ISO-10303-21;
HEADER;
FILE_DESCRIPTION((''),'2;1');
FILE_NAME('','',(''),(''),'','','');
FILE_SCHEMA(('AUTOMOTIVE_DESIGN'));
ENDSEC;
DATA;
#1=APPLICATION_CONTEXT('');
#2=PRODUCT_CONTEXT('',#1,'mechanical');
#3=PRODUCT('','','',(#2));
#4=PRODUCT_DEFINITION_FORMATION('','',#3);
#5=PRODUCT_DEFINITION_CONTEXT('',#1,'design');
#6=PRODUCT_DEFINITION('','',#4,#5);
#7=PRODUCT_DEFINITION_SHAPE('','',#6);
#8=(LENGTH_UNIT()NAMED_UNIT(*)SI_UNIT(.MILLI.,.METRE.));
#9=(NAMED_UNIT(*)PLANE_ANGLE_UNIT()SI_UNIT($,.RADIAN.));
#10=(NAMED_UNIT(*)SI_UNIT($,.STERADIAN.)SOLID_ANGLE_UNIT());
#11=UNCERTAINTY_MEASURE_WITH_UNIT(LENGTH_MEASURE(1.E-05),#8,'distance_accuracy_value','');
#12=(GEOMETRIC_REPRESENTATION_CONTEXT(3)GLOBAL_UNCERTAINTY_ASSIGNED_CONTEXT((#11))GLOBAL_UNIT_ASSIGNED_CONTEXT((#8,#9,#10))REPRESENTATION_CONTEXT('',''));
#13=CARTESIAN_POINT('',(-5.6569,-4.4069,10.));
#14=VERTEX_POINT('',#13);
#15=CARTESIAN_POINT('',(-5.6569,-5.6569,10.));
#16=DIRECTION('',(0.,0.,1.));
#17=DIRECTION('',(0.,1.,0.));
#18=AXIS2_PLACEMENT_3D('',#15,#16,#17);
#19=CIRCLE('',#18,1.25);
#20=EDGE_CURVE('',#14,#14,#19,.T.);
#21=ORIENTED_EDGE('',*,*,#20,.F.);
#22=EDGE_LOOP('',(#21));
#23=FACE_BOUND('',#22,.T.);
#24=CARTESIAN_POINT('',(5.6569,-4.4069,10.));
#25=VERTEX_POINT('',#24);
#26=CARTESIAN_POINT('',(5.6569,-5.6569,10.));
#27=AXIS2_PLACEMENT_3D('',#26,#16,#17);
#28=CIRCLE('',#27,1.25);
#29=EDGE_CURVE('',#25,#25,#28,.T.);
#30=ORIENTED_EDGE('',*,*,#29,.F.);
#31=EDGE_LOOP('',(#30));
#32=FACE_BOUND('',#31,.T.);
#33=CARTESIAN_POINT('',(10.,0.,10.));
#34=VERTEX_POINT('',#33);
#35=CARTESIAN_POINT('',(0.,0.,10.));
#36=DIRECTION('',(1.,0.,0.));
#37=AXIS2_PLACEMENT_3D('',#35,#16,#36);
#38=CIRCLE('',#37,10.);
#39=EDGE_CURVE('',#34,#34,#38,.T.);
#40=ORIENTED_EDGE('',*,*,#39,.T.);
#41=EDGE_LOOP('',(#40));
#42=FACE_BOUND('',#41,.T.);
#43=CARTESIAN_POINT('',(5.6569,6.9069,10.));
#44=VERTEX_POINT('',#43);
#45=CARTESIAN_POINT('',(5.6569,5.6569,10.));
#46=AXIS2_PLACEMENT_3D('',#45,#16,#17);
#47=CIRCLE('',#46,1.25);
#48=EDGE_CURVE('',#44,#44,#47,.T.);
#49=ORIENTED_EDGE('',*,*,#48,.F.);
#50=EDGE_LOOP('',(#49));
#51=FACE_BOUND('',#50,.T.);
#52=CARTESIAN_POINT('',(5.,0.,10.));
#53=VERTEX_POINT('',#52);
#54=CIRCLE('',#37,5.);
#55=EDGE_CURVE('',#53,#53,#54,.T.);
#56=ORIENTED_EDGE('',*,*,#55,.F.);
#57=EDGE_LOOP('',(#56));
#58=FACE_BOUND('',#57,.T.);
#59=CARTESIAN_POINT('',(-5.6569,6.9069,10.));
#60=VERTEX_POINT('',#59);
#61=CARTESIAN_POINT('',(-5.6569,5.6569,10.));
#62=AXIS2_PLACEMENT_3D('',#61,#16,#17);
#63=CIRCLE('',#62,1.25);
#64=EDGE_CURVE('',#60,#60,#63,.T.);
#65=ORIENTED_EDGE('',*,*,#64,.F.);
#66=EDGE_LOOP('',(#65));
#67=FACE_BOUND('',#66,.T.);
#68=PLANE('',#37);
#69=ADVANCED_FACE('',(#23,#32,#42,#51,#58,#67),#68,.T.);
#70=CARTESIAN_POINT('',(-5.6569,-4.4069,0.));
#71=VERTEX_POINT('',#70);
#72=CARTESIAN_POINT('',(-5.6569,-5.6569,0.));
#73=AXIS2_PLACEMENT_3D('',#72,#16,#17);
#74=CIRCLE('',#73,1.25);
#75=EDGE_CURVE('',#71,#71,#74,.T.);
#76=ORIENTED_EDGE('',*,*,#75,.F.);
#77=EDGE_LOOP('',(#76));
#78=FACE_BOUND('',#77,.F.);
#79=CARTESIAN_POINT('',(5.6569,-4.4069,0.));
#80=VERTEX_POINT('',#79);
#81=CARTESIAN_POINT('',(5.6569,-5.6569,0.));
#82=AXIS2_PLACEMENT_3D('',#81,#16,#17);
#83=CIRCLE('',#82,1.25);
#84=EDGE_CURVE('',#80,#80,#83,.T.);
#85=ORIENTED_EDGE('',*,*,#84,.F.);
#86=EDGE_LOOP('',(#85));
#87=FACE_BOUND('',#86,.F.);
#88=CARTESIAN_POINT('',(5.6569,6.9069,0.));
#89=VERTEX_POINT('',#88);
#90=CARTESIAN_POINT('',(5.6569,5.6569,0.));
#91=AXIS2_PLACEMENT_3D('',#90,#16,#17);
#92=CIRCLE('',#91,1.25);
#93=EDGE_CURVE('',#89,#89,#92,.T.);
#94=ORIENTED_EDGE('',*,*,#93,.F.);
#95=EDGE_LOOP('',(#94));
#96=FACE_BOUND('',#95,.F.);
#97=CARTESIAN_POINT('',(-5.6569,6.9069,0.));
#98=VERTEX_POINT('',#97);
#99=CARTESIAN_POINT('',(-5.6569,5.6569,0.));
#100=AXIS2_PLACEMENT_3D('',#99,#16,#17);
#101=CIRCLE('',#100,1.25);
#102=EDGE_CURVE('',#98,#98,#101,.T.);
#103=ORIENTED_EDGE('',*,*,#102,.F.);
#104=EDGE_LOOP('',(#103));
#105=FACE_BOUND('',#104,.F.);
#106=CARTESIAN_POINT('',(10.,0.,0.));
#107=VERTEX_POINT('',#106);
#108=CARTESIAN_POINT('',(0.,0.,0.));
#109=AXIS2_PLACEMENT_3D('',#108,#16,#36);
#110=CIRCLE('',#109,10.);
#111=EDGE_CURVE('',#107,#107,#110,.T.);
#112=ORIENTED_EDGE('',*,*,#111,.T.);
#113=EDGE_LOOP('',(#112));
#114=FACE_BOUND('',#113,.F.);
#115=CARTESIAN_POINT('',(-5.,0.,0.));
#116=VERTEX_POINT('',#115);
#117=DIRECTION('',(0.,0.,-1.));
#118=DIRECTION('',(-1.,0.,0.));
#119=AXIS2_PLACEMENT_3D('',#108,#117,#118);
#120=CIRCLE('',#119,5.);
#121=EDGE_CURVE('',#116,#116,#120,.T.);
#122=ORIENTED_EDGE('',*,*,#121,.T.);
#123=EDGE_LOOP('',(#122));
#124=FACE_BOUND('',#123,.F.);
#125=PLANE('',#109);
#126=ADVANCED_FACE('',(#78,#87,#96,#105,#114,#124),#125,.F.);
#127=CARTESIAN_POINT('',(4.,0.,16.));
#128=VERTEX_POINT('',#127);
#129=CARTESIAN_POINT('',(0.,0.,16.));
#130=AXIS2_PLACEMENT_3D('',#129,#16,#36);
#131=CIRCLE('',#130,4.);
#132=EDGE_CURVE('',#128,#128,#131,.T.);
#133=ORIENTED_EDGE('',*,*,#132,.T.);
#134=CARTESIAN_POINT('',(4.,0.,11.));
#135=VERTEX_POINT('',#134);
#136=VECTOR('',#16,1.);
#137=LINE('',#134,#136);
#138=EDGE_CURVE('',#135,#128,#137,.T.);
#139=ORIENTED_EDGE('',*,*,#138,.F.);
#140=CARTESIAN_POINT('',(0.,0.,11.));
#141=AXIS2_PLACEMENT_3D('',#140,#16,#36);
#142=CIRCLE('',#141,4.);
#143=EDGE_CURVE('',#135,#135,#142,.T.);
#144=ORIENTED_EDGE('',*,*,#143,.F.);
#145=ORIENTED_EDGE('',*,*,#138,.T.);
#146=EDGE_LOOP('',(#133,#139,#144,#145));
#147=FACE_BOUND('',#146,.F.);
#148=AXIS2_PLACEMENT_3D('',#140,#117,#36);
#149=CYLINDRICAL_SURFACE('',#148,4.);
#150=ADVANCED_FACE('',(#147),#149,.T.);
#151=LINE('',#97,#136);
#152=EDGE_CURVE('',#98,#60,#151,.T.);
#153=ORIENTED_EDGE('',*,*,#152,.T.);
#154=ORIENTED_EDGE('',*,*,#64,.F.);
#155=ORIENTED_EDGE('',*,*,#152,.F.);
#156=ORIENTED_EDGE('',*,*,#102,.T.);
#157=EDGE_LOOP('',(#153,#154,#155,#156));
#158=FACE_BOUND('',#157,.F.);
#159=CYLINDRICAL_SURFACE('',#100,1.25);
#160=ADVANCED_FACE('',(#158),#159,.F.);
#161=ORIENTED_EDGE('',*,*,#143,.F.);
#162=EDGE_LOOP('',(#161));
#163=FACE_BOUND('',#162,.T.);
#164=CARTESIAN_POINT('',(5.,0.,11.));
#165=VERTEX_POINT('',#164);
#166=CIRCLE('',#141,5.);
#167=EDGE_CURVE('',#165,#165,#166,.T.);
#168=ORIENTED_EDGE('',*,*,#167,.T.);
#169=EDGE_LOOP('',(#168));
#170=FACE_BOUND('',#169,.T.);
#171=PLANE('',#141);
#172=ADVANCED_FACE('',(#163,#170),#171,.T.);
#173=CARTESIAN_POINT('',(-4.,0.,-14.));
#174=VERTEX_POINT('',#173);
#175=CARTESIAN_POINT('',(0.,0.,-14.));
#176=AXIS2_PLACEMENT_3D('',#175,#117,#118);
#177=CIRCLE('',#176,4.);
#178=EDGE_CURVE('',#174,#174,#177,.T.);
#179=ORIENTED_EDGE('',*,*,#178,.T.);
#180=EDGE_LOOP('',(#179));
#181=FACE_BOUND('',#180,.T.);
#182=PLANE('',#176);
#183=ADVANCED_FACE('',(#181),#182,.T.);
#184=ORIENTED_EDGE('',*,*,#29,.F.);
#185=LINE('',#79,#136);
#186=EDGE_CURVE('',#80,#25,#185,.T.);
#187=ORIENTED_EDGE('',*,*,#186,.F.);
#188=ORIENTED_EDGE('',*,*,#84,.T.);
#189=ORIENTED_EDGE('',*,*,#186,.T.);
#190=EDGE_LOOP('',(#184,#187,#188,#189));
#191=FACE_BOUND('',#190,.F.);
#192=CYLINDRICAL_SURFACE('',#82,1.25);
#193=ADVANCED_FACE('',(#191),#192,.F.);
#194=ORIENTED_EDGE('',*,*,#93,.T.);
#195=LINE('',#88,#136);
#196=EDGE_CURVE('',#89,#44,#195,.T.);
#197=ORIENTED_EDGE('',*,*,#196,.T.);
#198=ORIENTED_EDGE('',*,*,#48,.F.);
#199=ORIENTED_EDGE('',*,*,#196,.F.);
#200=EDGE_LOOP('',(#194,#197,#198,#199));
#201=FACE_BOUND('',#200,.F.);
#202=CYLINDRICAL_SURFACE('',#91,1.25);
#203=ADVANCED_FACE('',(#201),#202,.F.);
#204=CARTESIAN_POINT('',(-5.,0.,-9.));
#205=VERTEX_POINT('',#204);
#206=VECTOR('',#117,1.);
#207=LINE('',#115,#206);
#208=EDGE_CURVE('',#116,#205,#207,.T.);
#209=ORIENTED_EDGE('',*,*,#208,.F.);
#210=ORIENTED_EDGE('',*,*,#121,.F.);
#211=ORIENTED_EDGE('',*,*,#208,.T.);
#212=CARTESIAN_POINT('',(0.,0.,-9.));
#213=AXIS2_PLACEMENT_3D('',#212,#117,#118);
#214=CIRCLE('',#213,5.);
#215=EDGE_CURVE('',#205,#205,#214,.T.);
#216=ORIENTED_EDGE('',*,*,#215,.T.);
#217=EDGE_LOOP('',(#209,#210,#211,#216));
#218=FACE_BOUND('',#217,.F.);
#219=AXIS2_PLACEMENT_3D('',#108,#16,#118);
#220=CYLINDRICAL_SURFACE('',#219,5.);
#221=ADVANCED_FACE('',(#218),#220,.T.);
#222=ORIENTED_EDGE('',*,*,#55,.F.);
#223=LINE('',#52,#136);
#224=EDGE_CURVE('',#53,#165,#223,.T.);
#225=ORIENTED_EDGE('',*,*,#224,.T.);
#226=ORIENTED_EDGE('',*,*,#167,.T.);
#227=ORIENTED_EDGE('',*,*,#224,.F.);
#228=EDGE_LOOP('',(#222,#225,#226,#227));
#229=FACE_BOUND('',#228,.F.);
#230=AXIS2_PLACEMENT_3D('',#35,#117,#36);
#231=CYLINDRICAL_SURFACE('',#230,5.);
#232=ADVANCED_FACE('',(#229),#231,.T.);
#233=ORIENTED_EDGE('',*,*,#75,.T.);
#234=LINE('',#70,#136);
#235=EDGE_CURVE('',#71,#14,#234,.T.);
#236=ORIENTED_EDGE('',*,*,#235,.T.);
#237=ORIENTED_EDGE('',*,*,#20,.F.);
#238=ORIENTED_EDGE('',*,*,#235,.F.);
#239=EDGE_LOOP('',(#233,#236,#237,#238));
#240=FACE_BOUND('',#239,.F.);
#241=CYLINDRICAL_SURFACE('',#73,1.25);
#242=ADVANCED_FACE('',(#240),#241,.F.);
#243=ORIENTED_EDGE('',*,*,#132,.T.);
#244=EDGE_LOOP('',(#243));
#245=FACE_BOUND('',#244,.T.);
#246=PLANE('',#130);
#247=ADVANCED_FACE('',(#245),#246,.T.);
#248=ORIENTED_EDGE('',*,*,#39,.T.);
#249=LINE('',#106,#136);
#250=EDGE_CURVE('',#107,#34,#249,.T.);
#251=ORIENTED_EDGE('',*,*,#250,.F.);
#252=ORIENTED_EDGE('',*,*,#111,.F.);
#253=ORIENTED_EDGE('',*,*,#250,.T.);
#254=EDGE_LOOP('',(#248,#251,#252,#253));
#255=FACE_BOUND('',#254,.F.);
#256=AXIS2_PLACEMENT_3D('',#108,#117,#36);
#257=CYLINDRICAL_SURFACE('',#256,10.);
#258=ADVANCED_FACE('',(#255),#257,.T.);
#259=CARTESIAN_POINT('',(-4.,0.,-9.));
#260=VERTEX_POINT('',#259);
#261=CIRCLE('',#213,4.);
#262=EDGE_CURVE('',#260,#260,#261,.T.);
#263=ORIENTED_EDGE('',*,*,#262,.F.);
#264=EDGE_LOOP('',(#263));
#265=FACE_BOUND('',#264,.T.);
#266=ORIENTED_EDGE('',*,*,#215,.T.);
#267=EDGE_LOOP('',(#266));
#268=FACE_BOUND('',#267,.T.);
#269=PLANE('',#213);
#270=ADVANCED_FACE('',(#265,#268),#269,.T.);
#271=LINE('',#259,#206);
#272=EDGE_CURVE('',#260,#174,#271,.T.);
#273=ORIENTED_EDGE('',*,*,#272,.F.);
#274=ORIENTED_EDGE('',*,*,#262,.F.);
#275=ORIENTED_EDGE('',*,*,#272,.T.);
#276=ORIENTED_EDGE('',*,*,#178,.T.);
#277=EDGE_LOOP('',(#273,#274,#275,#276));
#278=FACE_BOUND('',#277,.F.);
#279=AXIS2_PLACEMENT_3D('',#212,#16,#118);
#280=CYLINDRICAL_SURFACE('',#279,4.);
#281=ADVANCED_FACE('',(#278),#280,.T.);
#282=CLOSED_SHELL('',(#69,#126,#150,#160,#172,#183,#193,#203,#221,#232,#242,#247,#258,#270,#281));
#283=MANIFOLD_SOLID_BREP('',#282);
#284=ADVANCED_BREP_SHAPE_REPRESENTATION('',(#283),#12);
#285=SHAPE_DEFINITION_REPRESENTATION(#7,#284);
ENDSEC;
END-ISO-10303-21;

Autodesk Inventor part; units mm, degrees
ref_plane "YZ Plane" through (0, 0, 0) normal (1, 0, 0) x (0, 1, 0)
ref_plane "XZ Plane" through (0, 0, 0) normal (0, 1, 0) x (-1, 0, 0)
ref_plane "XY Plane" through (0, 0, 0) normal (0, 0, 1) x (1, 0, 0)
sketch "スケッチ1" plane through (0, 0, 0) normal (0, 0, 1) x (1, 0, 0)
  circle A0 centre (0, 0) radius 10
  dimension "d0" = 20
extrude "押し出し1" add sketch "スケッチ1" along normal blind 10
sketch "スケッチ2" plane through (0, 0, 10) normal (0, 0, 1) x (1, 0, 0)
  circle A0 centre (0, 0) radius 5
  dimension "d3" = 10
extrude "押し出し2" add sketch "スケッチ2" along normal blind 1
sketch "スケッチ3" plane through (0, 0, 11) normal (0, 0, 1) x (1, 0, 0)
  circle A0 centre (0, 0) radius 4
  dimension "d6" = 8
extrude "押し出し3" add sketch "スケッチ3" along normal blind 5
sketch "スケッチ4" plane through (0, 0, 0) normal (0, 0, -1) x (-1, 0, 0)
  circle A0 centre (0, 0) radius 5
  dimension "d9" = 10
extrude "押し出し4" add sketch "スケッチ4" along normal blind 9
sketch "スケッチ5" plane through (0, 0, -9) normal (0, 0, -1) x (-1, 0, 0)
  circle A0 centre (0, 0) radius 4
  dimension "d12" = 8
extrude "押し出し5" add sketch "スケッチ5" along normal blind 5
sketch "スケッチ6" plane through (0, 0, 0) normal (0, 0, -1) x (-1, 0, 0)
  circle A0 centre (0, 0) radius 8 construction
  line L0 (-5.6569, -5.6569) -> (5.6569, -5.6569) construction
  line L1 (5.6569, -5.6569) -> (5.6569, 5.6569) construction
  line L2 (5.6569, 5.6569) -> (-5.6569, 5.6569) construction
  line L3 (-5.6569, 5.6569) -> (-5.6569, -5.6569) construction
  line L4 (-5.6569, -5.6569) -> (5.6569, 5.6569) construction
  line L5 (5.6569, -5.6569) -> (-5.6569, 5.6569) construction
  dimension "d15" = 16
hole "穴1" at (-5.6569, 5.6569, 0) at (5.6569, 5.6569, 0) at (5.6569, -5.6569, 0) at (-5.6569, -5.6569, 0) direction (0, 0, 1) diameter 2.5 end through all
properties part number "AR20.0_wheel-shaft"
